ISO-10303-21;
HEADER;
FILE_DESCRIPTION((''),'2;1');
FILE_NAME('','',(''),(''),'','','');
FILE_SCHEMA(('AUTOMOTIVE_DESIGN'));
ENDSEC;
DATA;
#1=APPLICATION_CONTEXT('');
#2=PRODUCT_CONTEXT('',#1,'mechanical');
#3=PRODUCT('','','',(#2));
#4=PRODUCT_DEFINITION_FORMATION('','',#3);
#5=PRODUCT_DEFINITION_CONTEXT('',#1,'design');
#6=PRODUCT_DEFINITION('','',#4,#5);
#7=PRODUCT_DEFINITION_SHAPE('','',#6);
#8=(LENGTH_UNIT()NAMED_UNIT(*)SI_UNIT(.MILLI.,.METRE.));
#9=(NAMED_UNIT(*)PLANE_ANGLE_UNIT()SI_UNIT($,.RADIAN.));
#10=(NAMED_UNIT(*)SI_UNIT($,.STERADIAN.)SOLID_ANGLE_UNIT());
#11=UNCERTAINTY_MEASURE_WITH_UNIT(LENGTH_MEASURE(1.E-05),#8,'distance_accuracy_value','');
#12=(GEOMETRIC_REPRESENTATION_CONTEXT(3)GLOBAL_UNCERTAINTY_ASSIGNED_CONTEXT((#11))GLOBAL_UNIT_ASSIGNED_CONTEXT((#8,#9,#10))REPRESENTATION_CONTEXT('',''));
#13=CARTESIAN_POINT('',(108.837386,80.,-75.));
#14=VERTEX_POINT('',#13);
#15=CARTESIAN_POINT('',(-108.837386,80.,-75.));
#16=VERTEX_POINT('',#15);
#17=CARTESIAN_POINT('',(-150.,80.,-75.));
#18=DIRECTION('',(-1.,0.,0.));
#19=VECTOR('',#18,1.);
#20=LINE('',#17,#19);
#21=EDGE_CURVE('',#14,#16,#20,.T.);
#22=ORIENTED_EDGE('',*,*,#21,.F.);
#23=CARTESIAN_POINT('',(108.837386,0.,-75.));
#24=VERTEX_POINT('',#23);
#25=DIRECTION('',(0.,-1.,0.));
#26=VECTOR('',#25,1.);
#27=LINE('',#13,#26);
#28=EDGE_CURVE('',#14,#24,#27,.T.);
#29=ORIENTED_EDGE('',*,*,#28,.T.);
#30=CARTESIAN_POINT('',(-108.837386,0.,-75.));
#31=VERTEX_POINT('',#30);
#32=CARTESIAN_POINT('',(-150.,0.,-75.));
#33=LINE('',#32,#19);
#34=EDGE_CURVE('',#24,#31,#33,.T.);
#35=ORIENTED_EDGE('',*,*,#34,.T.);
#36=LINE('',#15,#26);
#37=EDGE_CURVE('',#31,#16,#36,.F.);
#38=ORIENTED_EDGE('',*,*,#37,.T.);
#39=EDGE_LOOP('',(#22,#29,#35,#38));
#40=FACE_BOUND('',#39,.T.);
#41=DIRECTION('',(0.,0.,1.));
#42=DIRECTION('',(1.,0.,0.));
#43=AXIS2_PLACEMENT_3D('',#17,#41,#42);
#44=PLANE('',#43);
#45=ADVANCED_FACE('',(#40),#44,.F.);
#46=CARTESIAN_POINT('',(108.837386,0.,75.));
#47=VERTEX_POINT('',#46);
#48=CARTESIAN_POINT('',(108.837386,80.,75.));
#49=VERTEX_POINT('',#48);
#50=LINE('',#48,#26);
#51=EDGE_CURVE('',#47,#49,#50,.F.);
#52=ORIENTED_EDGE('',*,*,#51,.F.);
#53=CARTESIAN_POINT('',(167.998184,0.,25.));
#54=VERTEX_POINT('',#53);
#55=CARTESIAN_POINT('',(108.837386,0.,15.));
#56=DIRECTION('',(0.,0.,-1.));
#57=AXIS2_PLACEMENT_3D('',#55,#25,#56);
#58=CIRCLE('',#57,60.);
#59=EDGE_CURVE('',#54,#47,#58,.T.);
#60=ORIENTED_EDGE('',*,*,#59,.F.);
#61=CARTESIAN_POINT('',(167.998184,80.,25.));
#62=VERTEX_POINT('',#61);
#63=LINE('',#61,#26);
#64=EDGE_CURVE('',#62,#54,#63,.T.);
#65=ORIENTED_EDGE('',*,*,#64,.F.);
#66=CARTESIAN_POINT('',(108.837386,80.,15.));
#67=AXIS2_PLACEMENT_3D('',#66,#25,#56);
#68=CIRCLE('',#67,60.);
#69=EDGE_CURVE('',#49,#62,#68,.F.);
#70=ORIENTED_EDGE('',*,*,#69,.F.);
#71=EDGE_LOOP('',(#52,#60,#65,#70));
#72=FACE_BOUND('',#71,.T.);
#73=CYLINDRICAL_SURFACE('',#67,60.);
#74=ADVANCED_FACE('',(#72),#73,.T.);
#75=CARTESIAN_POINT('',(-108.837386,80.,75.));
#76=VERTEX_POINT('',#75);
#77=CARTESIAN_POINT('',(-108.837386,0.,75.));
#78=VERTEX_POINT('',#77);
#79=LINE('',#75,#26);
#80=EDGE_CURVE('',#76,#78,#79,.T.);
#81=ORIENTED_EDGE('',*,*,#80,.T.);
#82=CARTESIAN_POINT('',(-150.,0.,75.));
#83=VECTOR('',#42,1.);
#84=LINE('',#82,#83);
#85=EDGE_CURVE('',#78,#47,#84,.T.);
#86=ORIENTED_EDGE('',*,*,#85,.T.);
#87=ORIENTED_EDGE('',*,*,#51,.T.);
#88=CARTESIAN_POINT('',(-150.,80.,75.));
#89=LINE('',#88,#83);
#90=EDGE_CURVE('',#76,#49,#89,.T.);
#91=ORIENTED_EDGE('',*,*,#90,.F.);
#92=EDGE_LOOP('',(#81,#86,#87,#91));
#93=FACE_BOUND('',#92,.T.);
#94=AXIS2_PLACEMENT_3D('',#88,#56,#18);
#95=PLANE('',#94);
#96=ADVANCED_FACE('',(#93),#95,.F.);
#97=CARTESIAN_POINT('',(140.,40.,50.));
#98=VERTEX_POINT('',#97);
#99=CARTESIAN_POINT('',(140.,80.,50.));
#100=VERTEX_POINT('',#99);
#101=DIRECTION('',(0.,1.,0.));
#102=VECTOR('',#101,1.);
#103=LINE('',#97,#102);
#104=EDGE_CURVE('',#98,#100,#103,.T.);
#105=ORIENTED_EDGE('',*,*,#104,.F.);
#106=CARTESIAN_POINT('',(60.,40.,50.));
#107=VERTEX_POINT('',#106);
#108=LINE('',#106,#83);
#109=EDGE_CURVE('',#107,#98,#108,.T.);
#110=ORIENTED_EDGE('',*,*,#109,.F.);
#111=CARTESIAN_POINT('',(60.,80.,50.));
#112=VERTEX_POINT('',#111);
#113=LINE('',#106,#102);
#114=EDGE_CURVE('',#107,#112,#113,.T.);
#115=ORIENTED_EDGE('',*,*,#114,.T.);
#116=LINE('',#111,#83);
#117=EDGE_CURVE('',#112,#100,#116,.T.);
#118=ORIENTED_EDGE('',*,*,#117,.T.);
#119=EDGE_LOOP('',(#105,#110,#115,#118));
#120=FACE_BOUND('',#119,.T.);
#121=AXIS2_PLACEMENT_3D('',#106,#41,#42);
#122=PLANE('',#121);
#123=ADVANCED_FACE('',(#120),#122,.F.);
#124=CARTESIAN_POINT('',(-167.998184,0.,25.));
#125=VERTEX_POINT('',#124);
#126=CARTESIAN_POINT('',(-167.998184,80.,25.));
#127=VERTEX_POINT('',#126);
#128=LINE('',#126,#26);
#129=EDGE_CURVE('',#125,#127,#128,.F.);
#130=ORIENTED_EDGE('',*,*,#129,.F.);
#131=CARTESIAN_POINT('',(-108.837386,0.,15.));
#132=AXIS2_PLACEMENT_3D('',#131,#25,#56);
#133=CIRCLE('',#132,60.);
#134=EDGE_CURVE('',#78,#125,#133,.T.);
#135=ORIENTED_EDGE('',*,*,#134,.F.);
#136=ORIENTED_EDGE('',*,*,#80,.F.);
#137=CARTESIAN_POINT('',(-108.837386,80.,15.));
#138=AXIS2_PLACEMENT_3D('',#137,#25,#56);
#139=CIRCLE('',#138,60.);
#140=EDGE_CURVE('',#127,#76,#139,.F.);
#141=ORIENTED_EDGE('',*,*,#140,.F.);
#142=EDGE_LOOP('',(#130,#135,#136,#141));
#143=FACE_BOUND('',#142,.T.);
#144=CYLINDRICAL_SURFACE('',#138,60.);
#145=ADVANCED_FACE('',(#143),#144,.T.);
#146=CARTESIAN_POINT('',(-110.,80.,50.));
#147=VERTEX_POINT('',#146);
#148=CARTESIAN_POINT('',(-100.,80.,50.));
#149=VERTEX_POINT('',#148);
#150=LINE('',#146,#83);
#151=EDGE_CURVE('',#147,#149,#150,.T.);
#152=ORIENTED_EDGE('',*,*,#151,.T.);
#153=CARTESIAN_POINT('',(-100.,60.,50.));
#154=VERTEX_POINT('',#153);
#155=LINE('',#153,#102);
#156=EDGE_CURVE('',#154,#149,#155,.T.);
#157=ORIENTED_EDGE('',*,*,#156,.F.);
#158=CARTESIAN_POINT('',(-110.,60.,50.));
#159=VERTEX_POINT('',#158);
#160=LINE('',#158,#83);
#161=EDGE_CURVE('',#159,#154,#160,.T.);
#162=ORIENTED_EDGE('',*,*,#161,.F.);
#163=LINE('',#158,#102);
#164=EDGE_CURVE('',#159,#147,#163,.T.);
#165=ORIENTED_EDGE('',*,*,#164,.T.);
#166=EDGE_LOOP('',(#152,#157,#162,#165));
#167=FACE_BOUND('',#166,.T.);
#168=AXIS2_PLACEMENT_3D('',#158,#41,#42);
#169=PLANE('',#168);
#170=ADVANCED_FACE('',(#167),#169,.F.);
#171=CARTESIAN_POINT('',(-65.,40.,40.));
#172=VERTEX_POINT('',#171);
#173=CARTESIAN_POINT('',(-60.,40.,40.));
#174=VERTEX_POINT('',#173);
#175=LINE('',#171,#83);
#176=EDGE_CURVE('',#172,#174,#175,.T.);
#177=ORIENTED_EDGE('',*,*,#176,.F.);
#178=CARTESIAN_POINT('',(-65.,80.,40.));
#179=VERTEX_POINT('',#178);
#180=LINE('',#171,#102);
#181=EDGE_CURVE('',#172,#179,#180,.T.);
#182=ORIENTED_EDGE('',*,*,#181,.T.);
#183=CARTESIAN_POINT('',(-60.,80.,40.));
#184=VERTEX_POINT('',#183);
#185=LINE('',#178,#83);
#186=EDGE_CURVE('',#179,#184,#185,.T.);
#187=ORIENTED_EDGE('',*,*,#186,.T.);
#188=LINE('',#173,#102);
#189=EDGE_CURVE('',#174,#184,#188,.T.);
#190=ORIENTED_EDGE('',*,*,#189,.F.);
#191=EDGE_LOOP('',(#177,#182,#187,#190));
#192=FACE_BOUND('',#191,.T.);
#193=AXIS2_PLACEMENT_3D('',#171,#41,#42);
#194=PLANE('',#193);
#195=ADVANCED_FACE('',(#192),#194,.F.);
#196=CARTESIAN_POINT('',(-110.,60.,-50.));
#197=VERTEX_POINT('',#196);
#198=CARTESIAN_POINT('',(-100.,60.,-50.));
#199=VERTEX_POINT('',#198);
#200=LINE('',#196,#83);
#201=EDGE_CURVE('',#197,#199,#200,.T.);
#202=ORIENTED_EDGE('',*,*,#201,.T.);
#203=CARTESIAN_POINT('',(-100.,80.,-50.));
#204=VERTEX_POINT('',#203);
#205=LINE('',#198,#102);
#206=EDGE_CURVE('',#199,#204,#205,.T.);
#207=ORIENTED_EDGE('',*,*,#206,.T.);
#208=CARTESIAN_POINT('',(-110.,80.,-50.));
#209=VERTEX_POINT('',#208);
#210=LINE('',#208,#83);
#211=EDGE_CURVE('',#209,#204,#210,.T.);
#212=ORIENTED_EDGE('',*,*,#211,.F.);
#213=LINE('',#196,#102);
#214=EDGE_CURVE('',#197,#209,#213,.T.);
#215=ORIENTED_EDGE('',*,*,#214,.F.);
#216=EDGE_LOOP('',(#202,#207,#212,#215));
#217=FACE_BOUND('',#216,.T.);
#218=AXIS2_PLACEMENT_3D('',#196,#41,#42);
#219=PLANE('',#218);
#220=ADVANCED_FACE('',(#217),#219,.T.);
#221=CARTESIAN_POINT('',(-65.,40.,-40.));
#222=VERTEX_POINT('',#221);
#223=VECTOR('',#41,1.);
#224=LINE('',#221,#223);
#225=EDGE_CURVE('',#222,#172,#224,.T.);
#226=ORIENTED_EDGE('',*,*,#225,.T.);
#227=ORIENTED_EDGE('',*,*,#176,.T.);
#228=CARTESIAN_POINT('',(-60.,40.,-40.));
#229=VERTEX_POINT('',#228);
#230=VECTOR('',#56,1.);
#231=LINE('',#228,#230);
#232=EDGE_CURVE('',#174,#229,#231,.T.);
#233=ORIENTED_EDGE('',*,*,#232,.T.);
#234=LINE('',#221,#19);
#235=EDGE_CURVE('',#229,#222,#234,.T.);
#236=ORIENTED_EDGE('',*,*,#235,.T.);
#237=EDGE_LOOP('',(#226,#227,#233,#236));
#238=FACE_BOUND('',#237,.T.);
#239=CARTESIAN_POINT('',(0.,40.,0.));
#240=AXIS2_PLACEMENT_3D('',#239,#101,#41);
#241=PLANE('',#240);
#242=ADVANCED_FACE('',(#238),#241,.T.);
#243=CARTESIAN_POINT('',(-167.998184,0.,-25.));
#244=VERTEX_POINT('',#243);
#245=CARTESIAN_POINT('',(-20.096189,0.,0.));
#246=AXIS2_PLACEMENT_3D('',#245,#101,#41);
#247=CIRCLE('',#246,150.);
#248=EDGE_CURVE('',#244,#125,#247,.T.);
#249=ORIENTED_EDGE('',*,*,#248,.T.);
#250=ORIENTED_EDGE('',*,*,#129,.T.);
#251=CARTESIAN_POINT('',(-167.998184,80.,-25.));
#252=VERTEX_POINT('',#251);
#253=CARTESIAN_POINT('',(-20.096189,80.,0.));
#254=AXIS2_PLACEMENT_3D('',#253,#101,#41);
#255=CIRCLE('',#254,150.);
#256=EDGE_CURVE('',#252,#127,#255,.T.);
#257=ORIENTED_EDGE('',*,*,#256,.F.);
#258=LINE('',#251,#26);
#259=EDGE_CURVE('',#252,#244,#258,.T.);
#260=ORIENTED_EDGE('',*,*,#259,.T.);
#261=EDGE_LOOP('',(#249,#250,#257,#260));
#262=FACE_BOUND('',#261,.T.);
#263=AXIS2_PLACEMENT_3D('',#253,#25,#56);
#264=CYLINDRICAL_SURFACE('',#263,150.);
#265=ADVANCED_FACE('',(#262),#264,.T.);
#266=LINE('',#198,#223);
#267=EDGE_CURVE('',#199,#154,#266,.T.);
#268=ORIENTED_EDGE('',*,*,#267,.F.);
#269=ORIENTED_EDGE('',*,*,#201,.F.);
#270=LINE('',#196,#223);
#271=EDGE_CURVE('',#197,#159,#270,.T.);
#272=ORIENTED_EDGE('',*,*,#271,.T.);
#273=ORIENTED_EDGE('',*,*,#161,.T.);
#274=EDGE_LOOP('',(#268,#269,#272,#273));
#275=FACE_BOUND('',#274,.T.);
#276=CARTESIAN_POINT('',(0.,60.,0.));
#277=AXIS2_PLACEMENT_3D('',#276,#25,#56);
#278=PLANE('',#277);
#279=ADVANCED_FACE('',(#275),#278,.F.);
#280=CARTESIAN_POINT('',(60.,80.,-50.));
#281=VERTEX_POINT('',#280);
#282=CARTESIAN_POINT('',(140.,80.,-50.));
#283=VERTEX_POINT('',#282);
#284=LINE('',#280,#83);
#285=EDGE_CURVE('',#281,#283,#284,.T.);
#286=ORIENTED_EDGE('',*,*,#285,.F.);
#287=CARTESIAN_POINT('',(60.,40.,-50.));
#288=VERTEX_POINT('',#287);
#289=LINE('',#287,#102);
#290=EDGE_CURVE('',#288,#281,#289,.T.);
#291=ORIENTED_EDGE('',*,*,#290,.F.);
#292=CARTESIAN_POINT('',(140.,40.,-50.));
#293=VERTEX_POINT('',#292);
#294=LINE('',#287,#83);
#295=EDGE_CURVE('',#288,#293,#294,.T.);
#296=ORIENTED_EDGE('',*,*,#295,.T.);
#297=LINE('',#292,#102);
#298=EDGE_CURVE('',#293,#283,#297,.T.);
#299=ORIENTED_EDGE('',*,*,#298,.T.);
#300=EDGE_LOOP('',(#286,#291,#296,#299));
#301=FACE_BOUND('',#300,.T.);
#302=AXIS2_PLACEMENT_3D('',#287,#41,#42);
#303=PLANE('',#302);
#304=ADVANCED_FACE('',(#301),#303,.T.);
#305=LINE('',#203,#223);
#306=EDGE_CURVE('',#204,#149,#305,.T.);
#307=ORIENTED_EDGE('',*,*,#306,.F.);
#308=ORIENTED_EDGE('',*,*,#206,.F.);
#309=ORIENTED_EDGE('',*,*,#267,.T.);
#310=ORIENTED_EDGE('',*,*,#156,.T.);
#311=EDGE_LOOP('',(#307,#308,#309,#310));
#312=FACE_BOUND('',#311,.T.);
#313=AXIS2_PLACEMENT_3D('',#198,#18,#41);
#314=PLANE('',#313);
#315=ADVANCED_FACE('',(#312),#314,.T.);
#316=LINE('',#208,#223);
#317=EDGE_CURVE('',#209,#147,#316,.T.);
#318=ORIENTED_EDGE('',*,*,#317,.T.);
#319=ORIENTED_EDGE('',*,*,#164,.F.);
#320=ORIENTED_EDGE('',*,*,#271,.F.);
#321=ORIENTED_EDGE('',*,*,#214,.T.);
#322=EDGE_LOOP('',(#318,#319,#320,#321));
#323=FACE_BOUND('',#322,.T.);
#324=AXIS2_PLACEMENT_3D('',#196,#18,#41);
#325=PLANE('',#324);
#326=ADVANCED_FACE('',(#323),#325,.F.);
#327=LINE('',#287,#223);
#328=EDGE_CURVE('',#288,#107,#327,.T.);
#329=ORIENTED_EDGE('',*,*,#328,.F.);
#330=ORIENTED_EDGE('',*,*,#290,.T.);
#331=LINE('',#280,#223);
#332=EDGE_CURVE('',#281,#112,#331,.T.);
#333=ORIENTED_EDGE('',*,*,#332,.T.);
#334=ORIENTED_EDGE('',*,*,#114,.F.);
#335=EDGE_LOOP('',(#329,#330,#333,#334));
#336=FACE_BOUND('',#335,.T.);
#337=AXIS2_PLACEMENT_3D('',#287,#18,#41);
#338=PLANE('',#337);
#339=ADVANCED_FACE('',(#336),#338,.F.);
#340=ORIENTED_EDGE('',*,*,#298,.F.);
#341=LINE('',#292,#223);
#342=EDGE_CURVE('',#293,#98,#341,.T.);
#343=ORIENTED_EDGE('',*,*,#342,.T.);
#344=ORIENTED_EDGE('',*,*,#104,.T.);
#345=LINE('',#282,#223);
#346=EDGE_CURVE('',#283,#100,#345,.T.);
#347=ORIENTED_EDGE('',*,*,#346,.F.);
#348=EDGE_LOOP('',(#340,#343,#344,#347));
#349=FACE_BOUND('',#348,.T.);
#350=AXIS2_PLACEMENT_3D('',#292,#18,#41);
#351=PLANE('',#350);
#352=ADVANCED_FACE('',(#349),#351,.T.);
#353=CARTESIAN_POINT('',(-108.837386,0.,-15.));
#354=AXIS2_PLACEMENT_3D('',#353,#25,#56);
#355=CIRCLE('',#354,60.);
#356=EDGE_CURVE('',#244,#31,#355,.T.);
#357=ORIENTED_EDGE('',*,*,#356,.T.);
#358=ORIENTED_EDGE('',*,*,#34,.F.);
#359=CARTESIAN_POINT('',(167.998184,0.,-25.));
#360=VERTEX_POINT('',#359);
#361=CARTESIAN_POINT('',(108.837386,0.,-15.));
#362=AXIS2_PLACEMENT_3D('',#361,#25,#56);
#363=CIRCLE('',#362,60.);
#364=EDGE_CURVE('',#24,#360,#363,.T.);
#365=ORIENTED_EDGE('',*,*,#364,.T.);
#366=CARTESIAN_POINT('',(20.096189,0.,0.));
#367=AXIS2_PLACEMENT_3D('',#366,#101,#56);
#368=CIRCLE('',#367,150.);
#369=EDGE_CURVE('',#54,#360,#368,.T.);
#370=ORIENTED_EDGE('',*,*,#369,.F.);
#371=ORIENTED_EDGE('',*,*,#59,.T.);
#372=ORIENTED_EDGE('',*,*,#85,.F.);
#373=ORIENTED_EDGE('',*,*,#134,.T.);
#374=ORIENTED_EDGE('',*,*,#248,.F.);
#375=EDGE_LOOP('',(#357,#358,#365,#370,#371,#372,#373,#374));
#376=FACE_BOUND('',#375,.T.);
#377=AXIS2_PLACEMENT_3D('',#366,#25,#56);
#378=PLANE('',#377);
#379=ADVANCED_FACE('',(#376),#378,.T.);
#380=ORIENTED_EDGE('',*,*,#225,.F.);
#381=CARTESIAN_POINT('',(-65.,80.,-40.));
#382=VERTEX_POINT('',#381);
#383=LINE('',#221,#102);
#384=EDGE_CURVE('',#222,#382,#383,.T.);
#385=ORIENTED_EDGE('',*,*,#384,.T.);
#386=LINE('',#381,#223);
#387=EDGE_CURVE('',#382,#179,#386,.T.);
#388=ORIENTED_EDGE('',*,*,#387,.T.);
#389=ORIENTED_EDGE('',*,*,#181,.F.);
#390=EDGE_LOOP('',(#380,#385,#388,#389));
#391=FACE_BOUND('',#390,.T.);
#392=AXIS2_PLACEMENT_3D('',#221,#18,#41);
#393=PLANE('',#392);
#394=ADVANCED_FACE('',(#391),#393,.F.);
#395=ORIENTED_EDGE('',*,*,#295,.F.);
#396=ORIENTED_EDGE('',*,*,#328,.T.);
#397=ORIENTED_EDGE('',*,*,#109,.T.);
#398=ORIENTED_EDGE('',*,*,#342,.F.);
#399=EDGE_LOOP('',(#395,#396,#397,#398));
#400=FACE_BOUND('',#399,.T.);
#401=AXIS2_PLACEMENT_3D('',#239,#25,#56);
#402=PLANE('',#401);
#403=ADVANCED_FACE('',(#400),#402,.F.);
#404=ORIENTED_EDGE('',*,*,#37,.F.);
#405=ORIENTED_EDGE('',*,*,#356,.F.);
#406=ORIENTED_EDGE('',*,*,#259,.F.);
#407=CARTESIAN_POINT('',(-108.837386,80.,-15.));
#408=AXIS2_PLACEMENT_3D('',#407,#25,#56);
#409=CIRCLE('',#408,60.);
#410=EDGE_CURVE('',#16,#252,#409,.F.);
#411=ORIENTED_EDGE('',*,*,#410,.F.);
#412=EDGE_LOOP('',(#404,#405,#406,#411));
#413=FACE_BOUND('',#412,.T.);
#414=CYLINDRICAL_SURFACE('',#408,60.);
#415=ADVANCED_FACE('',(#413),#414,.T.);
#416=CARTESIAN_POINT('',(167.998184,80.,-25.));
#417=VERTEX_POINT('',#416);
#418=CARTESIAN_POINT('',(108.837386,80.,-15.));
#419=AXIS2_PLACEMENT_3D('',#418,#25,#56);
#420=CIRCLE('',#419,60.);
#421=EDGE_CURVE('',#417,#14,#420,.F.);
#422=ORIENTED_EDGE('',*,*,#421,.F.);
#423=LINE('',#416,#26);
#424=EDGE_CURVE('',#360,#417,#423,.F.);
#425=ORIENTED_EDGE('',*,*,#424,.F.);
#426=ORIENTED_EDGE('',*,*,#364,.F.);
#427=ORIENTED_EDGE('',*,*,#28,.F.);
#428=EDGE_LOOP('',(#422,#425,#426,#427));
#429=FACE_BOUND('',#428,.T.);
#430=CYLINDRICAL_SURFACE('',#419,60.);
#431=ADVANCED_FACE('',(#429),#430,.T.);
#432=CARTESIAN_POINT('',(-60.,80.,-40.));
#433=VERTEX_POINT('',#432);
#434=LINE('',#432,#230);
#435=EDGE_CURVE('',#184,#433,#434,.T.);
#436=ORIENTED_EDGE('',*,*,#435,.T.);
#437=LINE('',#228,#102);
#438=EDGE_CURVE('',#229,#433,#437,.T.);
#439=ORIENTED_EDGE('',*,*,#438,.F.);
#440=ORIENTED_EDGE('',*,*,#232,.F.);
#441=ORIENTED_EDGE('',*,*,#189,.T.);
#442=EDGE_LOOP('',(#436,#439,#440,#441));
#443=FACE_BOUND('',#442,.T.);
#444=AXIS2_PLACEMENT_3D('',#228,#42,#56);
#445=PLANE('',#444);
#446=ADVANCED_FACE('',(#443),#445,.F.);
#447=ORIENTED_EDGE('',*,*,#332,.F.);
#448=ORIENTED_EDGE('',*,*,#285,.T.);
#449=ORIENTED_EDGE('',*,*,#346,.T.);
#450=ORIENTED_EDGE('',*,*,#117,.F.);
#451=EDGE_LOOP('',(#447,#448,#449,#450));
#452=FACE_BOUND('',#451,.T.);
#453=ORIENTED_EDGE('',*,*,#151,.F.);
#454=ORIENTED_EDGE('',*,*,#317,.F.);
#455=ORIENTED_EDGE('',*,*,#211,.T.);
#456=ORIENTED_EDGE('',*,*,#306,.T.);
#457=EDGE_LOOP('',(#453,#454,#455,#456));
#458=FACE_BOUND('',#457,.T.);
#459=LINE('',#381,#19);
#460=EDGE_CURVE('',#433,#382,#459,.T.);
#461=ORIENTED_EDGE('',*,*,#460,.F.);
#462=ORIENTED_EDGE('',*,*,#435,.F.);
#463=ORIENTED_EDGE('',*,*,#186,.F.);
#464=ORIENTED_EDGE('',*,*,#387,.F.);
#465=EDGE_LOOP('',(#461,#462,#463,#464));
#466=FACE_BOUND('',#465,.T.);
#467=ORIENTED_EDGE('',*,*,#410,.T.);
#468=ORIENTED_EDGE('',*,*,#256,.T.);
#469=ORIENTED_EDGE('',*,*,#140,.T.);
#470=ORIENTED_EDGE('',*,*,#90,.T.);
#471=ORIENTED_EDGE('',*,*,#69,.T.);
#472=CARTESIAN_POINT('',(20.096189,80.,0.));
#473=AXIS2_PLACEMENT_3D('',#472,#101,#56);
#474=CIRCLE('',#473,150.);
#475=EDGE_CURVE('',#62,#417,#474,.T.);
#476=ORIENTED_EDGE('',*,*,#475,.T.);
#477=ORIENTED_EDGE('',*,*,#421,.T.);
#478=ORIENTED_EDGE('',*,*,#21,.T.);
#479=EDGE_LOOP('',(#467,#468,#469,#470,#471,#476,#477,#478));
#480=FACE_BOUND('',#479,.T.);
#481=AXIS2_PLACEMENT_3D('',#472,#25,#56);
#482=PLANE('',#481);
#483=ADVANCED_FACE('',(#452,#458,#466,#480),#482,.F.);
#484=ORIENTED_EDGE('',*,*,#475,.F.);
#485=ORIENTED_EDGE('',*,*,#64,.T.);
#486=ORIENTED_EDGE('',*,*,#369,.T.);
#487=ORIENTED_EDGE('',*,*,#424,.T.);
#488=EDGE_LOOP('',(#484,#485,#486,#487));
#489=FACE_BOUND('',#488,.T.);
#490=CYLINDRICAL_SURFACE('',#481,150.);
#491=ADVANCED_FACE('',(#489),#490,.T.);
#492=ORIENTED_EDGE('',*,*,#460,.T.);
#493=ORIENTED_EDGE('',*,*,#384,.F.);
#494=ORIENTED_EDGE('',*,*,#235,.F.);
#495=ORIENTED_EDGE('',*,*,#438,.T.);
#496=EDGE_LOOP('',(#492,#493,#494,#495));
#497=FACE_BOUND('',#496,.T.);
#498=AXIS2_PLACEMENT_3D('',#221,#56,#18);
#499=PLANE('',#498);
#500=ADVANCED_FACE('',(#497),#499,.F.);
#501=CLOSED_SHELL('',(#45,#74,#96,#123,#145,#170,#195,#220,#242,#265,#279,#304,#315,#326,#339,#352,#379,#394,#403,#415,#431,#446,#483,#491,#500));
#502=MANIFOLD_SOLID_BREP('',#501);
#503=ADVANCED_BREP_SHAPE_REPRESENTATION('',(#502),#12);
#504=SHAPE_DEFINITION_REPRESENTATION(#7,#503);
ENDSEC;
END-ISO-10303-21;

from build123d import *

# Parameters (mm, degrees)
SALIENTE_EXTRUIR1_DEPTH = 80
REDONDEO1_R             = 60
CROQUIS2_W              = 10
CROQUIS2_H              = 100
CORTAR_EXTRUIR1_DEPTH   = 20
CROQUIS3_W              = 5
CROQUIS3_H              = 80
CORTAR_EXTRUIR2_DEPTH   = 40
CROQUIS4_W              = 80
CROQUIS4_H              = 100
CORTAR_EXTRUIR3_DEPTH   = 40


with BuildPart() as part:
    # Croquis1 → Saliente-Extruir1 (new body)
    with BuildSketch(Plane(origin=(0, 0, 0), x_dir=(1, 0, 0), z_dir=(0, 1, 0))):
        with BuildLine():
            Line((-150, -75), (150, -75))
            ThreePointArc((150, -75), (170.096189432, 0), (150, 75))
            Line((150, 75), (-150, 75))
            ThreePointArc((-150, 75), (-170.096189432, 0), (-150, -75))
        make_face()
    extrude(amount=SALIENTE_EXTRUIR1_DEPTH)

    # Redondeo1
    redondeo1_edges = [part.edges().sort_by_distance(p)[0] for p in [
        (150, 40, 75),
        (-150, 40, 75),
        (-150, 40, -75),
        (150, 40, -75),
    ]]
    fillet(redondeo1_edges, radius=REDONDEO1_R)

    # Croquis2 → Cortar-Extruir1 (cut)
    with BuildSketch(Plane(origin=(0, 80, 0), x_dir=(1, 0, 0), z_dir=(0, 1, 0))):
        with Locations((-105, 0)):
            Rectangle(CROQUIS2_W, CROQUIS2_H)
    extrude(amount=-CORTAR_EXTRUIR1_DEPTH, mode=Mode.SUBTRACT)

    # Croquis3 → Cortar-Extruir2 (cut)
    with BuildSketch(Plane(origin=(0, 80, 0), x_dir=(1, 0, 0), z_dir=(0, 1, 0))):
        with Locations((-62.5, 0)):
            Rectangle(CROQUIS3_W, CROQUIS3_H)
    extrude(amount=-CORTAR_EXTRUIR2_DEPTH, mode=Mode.SUBTRACT)

    # Croquis4 → Cortar-Extruir3 (cut)
    with BuildSketch(Plane(origin=(0, 80, 0), x_dir=(1, 0, 0), z_dir=(0, 1, 0))):
        with Locations((100, 0)):
            Rectangle(CROQUIS4_W, CROQUIS4_H)
    extrude(amount=-CORTAR_EXTRUIR3_DEPTH, mode=Mode.SUBTRACT)


solid = part.part
